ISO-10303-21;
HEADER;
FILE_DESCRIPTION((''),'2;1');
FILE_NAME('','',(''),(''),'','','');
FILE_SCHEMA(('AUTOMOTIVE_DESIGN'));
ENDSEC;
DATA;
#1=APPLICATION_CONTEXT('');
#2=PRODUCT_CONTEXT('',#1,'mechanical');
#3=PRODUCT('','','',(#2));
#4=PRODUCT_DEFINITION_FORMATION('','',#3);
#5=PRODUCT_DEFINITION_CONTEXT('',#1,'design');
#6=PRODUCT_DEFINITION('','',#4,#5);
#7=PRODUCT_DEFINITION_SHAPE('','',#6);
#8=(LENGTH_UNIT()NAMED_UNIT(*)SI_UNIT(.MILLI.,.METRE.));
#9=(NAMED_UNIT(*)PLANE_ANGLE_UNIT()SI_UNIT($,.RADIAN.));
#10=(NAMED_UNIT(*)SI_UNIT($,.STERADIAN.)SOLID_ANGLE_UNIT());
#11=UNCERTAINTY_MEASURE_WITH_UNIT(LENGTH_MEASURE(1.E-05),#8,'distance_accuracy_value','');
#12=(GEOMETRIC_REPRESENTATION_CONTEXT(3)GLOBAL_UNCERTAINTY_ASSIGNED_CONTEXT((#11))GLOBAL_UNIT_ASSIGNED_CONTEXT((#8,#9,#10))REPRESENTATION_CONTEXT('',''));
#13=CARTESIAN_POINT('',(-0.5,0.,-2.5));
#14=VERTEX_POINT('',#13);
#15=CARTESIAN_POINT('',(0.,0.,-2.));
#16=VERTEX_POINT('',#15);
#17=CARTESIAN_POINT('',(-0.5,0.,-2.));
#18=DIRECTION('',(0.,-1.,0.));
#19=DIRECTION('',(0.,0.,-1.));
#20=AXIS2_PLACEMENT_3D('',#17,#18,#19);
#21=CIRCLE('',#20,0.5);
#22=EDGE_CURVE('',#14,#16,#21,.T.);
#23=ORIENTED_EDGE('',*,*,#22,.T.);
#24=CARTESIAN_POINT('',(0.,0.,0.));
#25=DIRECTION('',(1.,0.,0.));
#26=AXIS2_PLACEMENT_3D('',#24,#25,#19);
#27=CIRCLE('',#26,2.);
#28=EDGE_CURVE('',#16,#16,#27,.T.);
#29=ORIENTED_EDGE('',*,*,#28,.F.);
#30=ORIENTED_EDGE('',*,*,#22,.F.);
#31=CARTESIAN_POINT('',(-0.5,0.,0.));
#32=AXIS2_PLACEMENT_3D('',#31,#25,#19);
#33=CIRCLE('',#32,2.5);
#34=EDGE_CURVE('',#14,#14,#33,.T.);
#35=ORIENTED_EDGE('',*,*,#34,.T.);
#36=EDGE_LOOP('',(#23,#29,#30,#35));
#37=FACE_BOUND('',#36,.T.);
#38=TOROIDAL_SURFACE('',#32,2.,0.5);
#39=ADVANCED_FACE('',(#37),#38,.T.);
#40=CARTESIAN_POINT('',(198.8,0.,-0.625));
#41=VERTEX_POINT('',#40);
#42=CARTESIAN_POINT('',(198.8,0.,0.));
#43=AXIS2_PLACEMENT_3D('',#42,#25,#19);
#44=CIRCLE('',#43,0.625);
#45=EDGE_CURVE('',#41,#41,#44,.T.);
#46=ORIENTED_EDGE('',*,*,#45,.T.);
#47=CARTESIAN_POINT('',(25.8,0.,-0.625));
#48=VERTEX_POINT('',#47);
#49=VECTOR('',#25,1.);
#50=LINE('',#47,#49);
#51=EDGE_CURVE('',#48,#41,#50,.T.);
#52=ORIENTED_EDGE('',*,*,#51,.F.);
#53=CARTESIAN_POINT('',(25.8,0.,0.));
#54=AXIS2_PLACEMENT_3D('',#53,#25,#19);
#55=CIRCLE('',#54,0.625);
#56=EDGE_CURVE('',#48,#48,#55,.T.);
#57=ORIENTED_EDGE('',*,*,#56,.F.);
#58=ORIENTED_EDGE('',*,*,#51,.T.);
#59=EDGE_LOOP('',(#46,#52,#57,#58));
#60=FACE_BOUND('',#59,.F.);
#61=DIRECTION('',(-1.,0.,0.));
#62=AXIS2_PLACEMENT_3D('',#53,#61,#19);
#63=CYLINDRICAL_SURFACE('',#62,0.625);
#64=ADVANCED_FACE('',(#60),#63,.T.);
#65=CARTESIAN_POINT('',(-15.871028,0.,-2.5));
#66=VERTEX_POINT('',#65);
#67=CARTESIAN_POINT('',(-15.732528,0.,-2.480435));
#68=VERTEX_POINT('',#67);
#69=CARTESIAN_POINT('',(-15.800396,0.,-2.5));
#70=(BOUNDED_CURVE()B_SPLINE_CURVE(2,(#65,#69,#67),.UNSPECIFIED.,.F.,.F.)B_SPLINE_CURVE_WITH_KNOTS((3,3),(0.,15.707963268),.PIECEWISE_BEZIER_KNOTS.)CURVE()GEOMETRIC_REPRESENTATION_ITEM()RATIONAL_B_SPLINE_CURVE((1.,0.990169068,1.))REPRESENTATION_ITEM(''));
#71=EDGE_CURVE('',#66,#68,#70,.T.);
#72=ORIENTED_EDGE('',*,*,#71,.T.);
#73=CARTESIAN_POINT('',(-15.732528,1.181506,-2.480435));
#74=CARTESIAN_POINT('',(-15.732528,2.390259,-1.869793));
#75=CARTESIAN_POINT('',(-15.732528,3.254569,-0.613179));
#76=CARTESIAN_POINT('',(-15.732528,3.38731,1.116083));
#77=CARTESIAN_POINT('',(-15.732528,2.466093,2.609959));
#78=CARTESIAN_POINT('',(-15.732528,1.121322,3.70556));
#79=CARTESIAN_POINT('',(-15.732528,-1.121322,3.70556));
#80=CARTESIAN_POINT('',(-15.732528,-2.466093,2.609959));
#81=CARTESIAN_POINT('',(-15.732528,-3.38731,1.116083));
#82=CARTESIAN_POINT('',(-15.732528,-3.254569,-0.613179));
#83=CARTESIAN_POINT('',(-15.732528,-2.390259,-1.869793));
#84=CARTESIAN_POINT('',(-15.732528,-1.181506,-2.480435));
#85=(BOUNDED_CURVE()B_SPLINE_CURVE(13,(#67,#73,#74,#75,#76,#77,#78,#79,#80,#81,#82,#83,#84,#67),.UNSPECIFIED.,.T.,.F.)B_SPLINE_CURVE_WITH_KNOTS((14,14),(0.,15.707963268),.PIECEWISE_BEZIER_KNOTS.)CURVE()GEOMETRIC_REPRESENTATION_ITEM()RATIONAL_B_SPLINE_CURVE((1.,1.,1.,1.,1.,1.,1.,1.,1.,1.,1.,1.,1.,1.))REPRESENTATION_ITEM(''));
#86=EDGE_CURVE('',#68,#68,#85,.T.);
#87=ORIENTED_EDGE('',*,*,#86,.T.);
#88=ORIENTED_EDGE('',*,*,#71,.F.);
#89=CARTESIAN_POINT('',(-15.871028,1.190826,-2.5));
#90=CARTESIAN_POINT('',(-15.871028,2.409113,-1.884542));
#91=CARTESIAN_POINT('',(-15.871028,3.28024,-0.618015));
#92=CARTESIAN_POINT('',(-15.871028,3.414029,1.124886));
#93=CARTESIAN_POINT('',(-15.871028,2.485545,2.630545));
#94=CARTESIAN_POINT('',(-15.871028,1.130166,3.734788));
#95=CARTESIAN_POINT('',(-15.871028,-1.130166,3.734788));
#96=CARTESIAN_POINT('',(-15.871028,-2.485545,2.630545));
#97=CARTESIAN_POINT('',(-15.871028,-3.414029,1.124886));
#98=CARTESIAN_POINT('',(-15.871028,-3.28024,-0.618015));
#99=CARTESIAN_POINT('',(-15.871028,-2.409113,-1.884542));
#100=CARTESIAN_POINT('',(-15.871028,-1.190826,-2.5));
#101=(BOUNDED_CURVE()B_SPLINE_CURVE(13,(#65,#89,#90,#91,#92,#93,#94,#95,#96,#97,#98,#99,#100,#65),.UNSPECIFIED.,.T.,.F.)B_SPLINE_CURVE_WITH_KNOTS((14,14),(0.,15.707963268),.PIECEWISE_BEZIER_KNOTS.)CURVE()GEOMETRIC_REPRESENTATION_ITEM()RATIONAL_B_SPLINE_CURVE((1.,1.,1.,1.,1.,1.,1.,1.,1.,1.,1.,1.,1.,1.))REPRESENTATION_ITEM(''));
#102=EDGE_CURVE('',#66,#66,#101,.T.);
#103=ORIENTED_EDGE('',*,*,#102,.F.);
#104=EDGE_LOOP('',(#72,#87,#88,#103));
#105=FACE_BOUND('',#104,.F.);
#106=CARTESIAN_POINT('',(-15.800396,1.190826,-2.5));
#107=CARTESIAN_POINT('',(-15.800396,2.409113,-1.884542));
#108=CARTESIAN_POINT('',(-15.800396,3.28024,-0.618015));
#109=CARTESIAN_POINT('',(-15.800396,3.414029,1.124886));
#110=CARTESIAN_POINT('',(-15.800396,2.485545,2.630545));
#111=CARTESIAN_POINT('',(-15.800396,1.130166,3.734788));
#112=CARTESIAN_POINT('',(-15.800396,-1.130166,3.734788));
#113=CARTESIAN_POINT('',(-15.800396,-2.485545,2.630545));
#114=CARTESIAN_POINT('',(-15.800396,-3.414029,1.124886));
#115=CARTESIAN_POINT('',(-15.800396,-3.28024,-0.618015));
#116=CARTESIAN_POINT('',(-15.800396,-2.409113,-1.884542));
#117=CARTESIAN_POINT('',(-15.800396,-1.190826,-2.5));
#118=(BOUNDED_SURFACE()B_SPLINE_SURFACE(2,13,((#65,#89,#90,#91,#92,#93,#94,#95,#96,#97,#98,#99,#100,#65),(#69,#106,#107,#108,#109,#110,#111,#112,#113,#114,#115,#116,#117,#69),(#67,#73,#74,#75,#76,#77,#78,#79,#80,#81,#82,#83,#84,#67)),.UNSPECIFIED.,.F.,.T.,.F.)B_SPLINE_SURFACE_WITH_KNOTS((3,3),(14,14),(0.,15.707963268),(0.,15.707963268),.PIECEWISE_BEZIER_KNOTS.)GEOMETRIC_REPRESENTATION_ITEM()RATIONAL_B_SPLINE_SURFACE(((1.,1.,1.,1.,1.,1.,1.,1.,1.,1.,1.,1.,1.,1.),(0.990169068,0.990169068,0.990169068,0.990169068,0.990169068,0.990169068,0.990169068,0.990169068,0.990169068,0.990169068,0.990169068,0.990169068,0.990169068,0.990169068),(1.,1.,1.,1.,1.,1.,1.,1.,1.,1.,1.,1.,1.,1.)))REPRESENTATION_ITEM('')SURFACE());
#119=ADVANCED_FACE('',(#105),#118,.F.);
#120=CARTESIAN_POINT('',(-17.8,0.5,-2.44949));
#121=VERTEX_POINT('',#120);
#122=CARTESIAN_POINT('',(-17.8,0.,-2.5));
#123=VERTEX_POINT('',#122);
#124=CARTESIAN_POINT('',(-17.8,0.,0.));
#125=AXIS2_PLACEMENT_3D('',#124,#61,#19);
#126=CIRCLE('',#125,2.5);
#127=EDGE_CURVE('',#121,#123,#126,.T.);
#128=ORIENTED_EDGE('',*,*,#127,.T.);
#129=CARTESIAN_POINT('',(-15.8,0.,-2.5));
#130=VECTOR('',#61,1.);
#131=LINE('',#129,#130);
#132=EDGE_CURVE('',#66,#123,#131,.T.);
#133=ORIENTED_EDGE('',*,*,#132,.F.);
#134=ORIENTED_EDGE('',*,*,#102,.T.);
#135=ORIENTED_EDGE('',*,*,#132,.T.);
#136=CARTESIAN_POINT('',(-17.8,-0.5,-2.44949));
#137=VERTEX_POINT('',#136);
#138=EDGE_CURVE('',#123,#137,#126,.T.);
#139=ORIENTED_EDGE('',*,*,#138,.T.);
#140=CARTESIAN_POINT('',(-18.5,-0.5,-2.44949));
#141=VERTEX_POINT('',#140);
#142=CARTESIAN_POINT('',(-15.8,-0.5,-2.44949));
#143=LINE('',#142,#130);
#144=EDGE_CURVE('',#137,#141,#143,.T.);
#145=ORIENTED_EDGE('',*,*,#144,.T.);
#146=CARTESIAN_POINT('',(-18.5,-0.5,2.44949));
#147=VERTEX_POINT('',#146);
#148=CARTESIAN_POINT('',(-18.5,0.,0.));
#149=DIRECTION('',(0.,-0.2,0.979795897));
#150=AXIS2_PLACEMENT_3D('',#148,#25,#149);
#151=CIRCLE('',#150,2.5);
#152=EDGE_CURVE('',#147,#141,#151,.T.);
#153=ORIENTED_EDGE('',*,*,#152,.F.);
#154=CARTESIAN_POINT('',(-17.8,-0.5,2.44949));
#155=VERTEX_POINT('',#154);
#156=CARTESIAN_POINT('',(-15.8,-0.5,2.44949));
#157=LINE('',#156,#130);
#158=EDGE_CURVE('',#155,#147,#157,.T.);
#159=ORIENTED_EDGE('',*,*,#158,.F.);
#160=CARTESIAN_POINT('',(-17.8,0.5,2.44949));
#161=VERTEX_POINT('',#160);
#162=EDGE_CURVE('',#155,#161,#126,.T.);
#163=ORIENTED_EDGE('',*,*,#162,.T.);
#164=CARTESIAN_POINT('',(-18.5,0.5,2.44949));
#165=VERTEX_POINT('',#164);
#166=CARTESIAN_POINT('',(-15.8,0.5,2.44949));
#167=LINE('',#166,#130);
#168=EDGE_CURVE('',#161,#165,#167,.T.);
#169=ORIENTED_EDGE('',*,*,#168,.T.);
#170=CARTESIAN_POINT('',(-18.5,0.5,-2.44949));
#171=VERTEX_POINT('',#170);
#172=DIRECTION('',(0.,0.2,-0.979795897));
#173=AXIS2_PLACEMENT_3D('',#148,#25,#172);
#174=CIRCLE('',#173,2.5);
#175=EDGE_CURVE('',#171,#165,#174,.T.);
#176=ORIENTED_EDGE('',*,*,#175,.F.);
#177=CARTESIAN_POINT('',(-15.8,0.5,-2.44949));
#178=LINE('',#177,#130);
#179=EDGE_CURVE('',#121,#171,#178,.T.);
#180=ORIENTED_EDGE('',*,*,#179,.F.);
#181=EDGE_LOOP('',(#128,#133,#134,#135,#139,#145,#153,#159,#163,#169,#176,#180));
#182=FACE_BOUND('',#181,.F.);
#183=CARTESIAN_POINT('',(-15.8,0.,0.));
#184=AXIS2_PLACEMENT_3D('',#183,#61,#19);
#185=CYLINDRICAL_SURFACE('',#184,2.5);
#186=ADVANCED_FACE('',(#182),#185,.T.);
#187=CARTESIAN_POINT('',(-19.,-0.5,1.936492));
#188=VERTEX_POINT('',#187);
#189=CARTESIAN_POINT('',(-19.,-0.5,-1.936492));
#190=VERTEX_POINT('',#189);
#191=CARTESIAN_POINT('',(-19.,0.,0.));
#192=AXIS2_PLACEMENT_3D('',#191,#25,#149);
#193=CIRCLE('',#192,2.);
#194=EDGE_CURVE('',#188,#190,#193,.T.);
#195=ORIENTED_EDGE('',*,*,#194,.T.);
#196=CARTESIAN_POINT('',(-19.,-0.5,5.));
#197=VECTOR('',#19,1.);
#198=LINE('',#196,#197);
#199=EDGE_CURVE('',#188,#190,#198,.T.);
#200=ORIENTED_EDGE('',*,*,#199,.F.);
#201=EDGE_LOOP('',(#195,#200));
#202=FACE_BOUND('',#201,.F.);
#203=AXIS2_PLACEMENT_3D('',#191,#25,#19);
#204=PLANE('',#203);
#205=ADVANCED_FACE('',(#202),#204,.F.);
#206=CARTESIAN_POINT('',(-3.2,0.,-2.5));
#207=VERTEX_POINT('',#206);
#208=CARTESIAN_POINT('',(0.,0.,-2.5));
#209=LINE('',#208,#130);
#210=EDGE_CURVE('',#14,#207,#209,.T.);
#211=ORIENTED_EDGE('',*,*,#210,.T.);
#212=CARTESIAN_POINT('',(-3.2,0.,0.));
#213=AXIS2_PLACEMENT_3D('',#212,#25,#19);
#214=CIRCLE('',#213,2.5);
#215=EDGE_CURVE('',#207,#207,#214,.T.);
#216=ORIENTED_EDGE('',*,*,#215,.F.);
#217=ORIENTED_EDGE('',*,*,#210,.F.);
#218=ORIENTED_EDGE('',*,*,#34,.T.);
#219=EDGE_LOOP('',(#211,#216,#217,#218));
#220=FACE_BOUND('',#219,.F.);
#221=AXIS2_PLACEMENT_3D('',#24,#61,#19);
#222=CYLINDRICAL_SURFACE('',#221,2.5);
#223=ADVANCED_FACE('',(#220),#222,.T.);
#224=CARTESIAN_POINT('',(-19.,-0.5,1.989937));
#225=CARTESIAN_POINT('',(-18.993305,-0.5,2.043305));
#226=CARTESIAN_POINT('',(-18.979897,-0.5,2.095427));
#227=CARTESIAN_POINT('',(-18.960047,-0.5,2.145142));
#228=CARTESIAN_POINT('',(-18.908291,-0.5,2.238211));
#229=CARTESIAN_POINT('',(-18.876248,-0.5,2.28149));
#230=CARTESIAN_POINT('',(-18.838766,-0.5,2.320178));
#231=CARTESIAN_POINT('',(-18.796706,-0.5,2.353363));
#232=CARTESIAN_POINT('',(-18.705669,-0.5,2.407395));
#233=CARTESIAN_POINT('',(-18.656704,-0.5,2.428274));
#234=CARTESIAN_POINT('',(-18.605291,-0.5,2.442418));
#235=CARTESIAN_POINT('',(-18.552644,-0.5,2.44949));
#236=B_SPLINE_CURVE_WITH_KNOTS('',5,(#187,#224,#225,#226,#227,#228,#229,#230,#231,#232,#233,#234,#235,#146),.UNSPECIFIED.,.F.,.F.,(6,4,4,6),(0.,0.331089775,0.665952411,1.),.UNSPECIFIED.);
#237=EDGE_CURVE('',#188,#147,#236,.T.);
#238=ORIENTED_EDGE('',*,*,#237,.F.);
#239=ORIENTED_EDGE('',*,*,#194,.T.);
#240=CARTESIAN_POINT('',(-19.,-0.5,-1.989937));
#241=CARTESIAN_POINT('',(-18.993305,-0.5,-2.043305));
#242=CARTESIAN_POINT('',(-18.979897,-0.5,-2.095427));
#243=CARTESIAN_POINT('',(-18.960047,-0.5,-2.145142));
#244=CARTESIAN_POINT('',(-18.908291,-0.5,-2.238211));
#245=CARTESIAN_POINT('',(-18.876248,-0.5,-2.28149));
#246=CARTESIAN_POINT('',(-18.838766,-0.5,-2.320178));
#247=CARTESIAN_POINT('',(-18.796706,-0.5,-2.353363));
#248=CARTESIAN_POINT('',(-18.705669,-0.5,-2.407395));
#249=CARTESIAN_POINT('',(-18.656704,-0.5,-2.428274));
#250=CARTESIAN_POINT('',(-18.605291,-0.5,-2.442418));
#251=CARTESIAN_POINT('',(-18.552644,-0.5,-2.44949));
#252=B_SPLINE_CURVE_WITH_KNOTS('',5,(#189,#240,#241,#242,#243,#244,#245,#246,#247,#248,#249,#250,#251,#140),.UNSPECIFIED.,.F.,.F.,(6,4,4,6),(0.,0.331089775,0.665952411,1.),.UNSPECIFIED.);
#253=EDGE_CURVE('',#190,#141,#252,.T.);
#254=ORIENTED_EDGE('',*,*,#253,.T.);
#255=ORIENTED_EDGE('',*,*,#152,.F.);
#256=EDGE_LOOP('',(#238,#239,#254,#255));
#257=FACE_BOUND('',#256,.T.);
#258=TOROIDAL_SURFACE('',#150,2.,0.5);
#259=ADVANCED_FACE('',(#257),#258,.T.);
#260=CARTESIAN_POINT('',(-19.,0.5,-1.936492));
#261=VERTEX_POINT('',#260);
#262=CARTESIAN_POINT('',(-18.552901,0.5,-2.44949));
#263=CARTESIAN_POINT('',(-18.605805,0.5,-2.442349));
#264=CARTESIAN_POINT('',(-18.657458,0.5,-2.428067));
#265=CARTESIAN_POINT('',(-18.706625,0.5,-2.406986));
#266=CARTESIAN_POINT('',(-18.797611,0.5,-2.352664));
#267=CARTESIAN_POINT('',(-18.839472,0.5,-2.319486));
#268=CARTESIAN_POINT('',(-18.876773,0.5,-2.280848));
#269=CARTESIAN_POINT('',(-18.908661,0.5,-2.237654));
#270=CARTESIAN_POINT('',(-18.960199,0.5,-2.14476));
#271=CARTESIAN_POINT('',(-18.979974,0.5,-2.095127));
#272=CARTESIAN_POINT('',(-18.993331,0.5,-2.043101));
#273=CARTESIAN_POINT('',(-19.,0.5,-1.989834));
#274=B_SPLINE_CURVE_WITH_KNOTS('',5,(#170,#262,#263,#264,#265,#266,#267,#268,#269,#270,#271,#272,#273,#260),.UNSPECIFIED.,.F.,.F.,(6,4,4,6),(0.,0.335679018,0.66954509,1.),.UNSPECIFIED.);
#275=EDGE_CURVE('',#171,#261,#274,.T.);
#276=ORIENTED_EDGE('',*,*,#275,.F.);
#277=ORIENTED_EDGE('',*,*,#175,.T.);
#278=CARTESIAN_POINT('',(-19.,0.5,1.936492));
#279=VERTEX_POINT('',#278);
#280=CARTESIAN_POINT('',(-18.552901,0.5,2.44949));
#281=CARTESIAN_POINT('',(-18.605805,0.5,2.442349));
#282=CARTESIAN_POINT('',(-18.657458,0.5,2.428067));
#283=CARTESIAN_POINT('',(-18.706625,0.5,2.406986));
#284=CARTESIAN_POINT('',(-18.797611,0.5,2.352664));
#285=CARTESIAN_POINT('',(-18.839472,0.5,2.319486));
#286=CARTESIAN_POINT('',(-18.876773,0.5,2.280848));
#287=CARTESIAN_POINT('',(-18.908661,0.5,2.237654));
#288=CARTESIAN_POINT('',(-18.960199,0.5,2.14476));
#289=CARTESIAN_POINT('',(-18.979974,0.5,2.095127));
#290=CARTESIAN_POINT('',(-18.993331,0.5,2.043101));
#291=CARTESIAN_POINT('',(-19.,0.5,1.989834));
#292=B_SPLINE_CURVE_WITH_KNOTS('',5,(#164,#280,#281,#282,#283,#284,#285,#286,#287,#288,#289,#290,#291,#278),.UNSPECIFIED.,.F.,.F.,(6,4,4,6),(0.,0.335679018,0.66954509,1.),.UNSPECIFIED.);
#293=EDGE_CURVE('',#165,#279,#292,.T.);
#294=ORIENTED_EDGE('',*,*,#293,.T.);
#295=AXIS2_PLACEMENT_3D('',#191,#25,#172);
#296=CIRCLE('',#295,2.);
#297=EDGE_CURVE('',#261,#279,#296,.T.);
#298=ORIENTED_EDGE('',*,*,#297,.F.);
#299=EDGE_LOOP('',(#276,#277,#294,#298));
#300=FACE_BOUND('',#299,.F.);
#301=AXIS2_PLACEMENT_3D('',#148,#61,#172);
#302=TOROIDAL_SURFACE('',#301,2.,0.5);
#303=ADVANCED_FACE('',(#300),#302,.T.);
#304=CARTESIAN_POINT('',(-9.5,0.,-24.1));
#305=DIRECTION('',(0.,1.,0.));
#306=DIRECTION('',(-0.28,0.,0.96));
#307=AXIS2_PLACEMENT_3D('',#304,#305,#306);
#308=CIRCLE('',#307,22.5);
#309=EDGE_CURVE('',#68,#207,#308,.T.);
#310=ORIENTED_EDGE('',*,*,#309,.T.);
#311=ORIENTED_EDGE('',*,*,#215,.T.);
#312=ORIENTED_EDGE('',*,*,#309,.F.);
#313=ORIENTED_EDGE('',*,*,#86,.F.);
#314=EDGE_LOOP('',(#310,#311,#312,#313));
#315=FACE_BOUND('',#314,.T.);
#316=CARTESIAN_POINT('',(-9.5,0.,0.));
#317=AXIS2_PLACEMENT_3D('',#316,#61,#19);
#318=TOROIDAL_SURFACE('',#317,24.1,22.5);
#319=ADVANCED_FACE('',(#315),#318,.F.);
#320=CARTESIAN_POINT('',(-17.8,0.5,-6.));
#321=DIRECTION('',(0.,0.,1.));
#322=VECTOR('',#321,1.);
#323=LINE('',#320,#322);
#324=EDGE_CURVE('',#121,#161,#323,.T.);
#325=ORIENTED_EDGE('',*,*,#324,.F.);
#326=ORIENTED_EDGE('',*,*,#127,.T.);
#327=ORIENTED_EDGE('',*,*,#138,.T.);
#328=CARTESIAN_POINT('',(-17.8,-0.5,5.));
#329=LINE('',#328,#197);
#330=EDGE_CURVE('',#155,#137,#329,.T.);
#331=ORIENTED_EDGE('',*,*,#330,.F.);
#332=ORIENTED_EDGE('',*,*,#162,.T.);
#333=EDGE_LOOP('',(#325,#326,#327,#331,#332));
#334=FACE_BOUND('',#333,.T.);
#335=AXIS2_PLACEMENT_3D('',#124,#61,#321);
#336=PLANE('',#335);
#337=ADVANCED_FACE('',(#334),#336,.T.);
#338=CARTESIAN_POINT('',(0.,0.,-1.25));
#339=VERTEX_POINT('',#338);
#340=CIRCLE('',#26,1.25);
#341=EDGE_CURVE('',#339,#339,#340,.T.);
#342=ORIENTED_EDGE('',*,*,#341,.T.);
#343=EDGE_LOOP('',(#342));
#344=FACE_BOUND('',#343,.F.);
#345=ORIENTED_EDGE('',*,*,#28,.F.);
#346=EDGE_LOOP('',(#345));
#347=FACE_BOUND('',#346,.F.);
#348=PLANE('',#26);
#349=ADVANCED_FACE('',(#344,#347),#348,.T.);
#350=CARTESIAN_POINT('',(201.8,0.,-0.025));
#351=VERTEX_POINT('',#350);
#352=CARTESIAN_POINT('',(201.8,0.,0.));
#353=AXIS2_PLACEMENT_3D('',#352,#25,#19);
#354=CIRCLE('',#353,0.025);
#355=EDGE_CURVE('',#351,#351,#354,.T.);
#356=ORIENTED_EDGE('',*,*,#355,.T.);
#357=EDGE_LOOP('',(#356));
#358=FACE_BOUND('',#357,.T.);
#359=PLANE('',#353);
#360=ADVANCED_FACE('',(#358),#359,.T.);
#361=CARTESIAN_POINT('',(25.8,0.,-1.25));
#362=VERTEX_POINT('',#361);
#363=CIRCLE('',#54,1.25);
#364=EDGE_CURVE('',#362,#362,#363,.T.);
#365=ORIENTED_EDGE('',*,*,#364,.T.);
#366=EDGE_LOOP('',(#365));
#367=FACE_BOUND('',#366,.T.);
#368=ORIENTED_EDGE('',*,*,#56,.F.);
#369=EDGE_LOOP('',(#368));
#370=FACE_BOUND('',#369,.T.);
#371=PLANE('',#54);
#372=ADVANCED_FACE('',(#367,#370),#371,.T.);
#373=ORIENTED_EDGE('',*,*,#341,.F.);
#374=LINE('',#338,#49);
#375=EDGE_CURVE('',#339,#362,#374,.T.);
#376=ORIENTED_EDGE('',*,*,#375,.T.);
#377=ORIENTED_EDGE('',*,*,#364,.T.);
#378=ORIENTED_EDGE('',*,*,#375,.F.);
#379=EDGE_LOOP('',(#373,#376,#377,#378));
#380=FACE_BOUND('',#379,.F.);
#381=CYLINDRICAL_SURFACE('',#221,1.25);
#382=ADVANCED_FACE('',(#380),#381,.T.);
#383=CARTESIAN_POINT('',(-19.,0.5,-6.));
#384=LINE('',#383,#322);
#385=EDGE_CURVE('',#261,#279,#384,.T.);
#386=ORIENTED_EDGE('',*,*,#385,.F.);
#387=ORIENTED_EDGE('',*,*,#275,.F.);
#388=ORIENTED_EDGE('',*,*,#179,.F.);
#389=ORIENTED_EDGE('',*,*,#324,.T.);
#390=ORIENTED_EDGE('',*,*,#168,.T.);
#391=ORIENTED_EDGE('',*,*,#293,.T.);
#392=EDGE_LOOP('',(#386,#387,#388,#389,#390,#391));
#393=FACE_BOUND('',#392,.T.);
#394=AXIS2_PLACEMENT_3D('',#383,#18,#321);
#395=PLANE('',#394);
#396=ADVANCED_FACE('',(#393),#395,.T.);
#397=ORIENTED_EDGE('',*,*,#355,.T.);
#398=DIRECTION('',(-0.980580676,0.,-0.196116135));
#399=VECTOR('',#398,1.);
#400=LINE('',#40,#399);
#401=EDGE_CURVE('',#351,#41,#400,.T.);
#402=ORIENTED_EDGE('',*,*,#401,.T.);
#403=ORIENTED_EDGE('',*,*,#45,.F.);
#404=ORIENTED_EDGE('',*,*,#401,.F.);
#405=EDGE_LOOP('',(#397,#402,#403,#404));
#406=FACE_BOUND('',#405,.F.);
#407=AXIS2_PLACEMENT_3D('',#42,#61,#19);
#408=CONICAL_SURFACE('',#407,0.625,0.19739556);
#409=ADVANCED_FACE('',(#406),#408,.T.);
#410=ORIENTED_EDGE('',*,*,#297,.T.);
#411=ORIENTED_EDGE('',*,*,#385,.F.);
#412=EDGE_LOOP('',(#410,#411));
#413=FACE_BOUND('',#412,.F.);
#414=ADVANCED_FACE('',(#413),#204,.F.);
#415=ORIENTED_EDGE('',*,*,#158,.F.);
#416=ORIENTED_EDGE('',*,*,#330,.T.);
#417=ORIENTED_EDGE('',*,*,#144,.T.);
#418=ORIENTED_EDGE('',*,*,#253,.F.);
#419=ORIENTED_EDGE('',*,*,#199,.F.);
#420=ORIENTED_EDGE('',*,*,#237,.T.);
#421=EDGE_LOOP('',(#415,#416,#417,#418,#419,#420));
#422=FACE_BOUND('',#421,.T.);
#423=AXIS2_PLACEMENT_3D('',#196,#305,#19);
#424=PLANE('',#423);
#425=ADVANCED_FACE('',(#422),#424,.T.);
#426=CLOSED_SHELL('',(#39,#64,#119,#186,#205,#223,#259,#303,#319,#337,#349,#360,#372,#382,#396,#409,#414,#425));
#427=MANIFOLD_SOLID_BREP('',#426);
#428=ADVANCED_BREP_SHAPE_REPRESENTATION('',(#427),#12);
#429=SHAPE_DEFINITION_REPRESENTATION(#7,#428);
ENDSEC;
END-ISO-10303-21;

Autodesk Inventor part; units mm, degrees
ref_plane "YZ Plane" through (0, 0, 0) normal (1, 0, 0) x (0, 1, 0)
ref_plane "XZ Plane" through (0, 0, 0) normal (0, 1, 0) x (-1, 0, 0)
ref_plane "XY Plane" through (0, 0, 0) normal (0, 0, 1) x (1, 0, 0)
sketch "Skizze2" plane through (0, 0, 0) normal (0, 1, 0) x (-1, 0, 0)
  line L0 (0, 0) -> (0, -2.5)
  line L1 (0, -2.5) -> (3.2, -2.5)
  arc A0 (15.8, -2.5) -> (3.2, -2.5) centre (9.5, -24.1) ccw
  line L2 (15.8, -2.5) -> (19, -2.5)
  line L3 (19, -2.5) -> (19, 0)
  line L4 (19, 0) -> (0, 0)
  point P0 (9.5, -1.6)
  dimension "d5" = 2.5
  dimension "d6" = 2.5
  dimension "d7" = 3.2
  dimension "d8" = 3.2
  dimension "d9" = 19
  dimension "d10" = 0
  dimension "d11" = 1.6
revolve "Umdrehung2" add sketch "Skizze2" angle 360 about axis through (-19, 0, 0) along (1, 0, 0)
sketch "Skizze3" plane through (-19, 0, 0) normal (-1, 0, 0) x (0, 0, 1)
  line L0 (5, -0.5) -> (-6, -0.5)
  line L1 (-6, -0.5) -> (-6, 0.5)
  line L2 (-6, 0.5) -> (5, 0.5)
  line L3 (5, 0.5) -> (5, -0.5)
  point P0 (0, 0)
  dimension "d13" = 0.5
  dimension "d14" = 0.5
extrude "Extrusion1" cut sketch "Skizze3" against normal blind 1.2
fillet "Rundung1" radius 0.5 4 edges at (-15.8, 0, 2.5) (-19, 2.5, 0) (-19, -2.5, 0) (0, 0, 2.5)
sketch "Skizze4" plane through (0, 0, 0) normal (1, 0, 0) x (0, 0, -1)
  circle A0 centre (0, 0) radius 1.25
  dimension "d18" = 2.5
extrude "Extrusion2" add sketch "Skizze4" along normal blind 25.8
sketch "Skizze5" plane through (25.8, 0, 0) normal (1, 0, 0) x (0, 0, -1)
  circle A0 centre (0, 0) radius 2.4804 projected
  circle A1 centre (0, 0) radius 0.625
  dimension "d21" = 1.25
extrude "Extrusion3" add sketch "Skizze5" along normal blind 176 contours A1
chamfer "Fase1" distance 0.6 distance2 3 1 edges at (201.8, 0, 0.625) measured on face at (201.8, -0.1535, -0.4143)
equation "\"d6\" = d5"
equation "\"d14\" = d13"
properties part number "Nadel"
